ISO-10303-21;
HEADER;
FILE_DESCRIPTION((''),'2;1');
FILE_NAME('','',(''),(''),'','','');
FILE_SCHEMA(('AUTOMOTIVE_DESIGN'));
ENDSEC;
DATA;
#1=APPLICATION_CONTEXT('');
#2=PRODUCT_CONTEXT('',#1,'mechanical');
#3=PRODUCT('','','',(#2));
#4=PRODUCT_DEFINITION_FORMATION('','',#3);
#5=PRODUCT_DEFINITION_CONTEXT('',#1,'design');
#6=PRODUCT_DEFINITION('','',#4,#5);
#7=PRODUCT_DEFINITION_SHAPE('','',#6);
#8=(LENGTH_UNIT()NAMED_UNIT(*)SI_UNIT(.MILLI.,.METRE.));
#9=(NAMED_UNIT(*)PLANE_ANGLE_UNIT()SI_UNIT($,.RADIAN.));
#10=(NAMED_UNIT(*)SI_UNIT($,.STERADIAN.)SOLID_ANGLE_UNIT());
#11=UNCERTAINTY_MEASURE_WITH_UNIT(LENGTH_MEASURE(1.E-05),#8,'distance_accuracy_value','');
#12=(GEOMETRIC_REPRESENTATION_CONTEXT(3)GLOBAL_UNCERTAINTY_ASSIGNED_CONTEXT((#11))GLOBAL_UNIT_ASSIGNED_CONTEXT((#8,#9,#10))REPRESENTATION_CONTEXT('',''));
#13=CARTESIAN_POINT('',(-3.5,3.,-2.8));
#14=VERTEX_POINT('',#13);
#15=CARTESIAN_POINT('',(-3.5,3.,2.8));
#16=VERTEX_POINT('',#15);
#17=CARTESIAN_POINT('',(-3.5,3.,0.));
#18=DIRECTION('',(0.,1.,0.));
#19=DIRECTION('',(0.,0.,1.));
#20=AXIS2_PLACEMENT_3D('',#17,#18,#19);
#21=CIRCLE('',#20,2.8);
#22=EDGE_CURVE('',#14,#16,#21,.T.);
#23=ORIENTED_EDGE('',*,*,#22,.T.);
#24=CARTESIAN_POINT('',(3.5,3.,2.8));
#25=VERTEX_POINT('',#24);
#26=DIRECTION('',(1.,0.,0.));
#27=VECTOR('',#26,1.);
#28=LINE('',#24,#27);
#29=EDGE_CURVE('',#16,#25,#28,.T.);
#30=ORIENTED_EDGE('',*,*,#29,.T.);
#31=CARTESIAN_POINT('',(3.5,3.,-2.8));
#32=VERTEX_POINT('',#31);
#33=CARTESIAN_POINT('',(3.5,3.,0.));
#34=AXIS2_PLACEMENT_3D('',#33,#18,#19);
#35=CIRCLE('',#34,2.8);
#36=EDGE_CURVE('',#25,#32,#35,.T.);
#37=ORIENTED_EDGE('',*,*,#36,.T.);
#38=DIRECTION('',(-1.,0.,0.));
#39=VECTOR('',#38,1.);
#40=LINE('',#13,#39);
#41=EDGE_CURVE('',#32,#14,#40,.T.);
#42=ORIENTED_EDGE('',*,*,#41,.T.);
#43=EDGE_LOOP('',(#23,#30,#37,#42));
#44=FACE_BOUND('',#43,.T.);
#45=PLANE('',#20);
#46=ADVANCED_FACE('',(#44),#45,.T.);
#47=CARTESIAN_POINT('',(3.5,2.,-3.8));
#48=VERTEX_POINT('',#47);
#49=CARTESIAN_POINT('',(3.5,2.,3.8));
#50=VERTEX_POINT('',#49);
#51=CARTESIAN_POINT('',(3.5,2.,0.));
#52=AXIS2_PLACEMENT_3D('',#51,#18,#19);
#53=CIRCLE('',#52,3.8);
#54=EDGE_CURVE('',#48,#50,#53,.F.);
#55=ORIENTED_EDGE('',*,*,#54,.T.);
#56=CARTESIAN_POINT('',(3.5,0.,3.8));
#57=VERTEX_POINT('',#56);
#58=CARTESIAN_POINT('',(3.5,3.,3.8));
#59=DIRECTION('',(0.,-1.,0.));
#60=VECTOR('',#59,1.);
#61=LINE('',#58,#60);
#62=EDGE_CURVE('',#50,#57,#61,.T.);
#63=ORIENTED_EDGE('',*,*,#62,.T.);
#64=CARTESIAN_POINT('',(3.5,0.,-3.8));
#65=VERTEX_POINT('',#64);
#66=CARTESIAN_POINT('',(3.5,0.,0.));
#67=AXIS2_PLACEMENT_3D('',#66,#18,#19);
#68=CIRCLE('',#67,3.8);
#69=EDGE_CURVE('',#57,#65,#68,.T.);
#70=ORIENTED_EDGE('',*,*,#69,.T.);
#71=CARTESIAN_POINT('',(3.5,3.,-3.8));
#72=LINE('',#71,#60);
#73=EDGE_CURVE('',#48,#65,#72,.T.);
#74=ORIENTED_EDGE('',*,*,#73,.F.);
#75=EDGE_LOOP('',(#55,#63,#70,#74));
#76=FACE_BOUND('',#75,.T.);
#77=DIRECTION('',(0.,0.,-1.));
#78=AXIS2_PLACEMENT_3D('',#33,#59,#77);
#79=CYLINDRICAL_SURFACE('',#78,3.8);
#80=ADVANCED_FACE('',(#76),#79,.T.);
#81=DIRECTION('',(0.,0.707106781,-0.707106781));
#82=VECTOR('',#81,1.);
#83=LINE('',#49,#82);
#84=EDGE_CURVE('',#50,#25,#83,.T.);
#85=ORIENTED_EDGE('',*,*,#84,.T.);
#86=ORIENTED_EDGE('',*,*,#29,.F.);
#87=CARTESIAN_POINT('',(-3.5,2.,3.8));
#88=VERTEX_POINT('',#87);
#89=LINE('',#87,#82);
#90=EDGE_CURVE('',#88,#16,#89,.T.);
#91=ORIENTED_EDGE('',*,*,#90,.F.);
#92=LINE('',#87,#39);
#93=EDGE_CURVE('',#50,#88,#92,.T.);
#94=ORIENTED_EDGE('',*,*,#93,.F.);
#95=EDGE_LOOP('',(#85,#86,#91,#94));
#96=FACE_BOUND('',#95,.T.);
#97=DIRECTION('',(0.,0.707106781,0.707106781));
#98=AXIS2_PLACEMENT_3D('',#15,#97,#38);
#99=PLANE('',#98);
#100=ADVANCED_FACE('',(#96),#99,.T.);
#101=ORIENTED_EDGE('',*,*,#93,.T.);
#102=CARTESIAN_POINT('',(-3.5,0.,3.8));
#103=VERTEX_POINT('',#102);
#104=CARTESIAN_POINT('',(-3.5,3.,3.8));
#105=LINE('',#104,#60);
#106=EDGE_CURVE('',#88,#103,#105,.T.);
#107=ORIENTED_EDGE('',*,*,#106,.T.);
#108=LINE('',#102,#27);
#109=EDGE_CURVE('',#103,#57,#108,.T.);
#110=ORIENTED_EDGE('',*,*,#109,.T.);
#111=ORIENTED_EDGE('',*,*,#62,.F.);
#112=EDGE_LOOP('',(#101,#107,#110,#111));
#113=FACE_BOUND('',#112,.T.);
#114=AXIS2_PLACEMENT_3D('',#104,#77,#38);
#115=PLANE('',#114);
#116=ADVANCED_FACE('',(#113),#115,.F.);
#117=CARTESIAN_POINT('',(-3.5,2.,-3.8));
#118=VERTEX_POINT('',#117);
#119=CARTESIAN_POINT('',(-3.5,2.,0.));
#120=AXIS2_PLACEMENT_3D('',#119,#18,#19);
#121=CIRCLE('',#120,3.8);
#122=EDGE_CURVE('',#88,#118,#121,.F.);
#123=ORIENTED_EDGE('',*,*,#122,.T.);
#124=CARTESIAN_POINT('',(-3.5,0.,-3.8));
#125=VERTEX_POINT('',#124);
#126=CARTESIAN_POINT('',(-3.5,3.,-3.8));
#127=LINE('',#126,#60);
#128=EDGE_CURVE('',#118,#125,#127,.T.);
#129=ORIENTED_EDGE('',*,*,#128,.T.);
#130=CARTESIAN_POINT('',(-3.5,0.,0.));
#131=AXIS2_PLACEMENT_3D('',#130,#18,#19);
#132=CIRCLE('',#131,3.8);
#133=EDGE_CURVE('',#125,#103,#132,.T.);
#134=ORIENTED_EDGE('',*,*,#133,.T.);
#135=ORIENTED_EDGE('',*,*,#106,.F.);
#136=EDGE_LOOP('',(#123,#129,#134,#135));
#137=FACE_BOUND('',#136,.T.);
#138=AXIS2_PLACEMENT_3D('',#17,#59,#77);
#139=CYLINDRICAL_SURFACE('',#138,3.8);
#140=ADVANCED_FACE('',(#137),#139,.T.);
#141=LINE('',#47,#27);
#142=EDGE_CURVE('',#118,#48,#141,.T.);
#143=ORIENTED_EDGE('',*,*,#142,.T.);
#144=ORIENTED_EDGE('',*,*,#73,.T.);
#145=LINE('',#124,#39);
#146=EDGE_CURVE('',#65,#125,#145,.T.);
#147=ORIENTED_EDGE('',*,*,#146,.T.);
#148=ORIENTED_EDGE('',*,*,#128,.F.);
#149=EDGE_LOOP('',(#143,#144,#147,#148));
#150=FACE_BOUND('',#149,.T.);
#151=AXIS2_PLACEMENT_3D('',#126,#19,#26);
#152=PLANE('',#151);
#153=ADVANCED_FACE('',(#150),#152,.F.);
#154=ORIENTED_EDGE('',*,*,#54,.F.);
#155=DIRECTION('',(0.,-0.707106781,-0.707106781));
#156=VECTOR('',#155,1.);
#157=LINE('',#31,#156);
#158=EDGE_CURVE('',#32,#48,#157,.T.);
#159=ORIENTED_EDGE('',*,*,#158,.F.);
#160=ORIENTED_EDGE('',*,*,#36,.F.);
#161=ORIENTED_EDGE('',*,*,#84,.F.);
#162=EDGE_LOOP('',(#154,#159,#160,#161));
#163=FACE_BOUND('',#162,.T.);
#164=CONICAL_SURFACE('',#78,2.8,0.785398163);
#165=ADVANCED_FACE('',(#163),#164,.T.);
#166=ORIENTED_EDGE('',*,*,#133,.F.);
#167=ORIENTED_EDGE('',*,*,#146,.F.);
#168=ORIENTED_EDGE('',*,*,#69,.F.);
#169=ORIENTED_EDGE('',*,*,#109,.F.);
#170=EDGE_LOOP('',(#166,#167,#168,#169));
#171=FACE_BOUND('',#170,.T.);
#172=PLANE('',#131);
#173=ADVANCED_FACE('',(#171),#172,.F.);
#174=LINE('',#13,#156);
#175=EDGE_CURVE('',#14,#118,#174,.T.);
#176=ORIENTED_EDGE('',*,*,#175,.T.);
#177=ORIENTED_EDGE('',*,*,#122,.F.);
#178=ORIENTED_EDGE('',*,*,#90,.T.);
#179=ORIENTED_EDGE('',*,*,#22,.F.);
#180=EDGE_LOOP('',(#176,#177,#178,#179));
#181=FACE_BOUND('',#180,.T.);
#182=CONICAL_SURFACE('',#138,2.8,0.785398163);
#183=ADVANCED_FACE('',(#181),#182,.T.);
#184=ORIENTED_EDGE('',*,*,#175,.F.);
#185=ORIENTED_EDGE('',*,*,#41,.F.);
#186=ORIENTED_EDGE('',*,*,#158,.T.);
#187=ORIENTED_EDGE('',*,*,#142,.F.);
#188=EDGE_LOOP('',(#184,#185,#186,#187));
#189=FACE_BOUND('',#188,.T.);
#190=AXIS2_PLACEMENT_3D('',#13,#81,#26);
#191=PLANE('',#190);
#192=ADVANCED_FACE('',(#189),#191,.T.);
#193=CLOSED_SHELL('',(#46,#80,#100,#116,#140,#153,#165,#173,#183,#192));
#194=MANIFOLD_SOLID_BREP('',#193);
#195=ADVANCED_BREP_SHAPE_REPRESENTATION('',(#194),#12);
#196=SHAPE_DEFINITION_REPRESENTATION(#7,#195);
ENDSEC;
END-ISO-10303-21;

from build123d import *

# Parameters (mm, degrees)
BOSS_EXTRU_1_DEPTH = 3
CHANFREIN1_SIZE    = 1


with BuildPart() as part:
    # Esquisse1 → Boss.-Extru.1 (new body)
    with BuildSketch(Plane(origin=(0, 0, 0), x_dir=(1, 0, 0), z_dir=(0, 1, 0))):
        with BuildLine():
            Line((-3.5, 3.8), (3.5, 3.8))
            ThreePointArc((3.5, 3.8), (7.3, 0), (3.5, -3.8))
            Line((3.5, -3.8), (-3.5, -3.8))
            ThreePointArc((-3.5, -3.8), (-7.3, 0), (-3.5, 3.8))
        make_face()
    extrude(amount=BOSS_EXTRU_1_DEPTH)

    # Chanfrein1
    chanfrein1_edges = [part.edges().sort_by_distance(p)[0] for p in [
        (7.3, 3, 0),
        (0, 3, -3.8),
        (-7.3, 3, 0),
        (0, 3, 3.8),
    ]]
    chamfer(chanfrein1_edges, length=CHANFREIN1_SIZE)


solid = part.part
